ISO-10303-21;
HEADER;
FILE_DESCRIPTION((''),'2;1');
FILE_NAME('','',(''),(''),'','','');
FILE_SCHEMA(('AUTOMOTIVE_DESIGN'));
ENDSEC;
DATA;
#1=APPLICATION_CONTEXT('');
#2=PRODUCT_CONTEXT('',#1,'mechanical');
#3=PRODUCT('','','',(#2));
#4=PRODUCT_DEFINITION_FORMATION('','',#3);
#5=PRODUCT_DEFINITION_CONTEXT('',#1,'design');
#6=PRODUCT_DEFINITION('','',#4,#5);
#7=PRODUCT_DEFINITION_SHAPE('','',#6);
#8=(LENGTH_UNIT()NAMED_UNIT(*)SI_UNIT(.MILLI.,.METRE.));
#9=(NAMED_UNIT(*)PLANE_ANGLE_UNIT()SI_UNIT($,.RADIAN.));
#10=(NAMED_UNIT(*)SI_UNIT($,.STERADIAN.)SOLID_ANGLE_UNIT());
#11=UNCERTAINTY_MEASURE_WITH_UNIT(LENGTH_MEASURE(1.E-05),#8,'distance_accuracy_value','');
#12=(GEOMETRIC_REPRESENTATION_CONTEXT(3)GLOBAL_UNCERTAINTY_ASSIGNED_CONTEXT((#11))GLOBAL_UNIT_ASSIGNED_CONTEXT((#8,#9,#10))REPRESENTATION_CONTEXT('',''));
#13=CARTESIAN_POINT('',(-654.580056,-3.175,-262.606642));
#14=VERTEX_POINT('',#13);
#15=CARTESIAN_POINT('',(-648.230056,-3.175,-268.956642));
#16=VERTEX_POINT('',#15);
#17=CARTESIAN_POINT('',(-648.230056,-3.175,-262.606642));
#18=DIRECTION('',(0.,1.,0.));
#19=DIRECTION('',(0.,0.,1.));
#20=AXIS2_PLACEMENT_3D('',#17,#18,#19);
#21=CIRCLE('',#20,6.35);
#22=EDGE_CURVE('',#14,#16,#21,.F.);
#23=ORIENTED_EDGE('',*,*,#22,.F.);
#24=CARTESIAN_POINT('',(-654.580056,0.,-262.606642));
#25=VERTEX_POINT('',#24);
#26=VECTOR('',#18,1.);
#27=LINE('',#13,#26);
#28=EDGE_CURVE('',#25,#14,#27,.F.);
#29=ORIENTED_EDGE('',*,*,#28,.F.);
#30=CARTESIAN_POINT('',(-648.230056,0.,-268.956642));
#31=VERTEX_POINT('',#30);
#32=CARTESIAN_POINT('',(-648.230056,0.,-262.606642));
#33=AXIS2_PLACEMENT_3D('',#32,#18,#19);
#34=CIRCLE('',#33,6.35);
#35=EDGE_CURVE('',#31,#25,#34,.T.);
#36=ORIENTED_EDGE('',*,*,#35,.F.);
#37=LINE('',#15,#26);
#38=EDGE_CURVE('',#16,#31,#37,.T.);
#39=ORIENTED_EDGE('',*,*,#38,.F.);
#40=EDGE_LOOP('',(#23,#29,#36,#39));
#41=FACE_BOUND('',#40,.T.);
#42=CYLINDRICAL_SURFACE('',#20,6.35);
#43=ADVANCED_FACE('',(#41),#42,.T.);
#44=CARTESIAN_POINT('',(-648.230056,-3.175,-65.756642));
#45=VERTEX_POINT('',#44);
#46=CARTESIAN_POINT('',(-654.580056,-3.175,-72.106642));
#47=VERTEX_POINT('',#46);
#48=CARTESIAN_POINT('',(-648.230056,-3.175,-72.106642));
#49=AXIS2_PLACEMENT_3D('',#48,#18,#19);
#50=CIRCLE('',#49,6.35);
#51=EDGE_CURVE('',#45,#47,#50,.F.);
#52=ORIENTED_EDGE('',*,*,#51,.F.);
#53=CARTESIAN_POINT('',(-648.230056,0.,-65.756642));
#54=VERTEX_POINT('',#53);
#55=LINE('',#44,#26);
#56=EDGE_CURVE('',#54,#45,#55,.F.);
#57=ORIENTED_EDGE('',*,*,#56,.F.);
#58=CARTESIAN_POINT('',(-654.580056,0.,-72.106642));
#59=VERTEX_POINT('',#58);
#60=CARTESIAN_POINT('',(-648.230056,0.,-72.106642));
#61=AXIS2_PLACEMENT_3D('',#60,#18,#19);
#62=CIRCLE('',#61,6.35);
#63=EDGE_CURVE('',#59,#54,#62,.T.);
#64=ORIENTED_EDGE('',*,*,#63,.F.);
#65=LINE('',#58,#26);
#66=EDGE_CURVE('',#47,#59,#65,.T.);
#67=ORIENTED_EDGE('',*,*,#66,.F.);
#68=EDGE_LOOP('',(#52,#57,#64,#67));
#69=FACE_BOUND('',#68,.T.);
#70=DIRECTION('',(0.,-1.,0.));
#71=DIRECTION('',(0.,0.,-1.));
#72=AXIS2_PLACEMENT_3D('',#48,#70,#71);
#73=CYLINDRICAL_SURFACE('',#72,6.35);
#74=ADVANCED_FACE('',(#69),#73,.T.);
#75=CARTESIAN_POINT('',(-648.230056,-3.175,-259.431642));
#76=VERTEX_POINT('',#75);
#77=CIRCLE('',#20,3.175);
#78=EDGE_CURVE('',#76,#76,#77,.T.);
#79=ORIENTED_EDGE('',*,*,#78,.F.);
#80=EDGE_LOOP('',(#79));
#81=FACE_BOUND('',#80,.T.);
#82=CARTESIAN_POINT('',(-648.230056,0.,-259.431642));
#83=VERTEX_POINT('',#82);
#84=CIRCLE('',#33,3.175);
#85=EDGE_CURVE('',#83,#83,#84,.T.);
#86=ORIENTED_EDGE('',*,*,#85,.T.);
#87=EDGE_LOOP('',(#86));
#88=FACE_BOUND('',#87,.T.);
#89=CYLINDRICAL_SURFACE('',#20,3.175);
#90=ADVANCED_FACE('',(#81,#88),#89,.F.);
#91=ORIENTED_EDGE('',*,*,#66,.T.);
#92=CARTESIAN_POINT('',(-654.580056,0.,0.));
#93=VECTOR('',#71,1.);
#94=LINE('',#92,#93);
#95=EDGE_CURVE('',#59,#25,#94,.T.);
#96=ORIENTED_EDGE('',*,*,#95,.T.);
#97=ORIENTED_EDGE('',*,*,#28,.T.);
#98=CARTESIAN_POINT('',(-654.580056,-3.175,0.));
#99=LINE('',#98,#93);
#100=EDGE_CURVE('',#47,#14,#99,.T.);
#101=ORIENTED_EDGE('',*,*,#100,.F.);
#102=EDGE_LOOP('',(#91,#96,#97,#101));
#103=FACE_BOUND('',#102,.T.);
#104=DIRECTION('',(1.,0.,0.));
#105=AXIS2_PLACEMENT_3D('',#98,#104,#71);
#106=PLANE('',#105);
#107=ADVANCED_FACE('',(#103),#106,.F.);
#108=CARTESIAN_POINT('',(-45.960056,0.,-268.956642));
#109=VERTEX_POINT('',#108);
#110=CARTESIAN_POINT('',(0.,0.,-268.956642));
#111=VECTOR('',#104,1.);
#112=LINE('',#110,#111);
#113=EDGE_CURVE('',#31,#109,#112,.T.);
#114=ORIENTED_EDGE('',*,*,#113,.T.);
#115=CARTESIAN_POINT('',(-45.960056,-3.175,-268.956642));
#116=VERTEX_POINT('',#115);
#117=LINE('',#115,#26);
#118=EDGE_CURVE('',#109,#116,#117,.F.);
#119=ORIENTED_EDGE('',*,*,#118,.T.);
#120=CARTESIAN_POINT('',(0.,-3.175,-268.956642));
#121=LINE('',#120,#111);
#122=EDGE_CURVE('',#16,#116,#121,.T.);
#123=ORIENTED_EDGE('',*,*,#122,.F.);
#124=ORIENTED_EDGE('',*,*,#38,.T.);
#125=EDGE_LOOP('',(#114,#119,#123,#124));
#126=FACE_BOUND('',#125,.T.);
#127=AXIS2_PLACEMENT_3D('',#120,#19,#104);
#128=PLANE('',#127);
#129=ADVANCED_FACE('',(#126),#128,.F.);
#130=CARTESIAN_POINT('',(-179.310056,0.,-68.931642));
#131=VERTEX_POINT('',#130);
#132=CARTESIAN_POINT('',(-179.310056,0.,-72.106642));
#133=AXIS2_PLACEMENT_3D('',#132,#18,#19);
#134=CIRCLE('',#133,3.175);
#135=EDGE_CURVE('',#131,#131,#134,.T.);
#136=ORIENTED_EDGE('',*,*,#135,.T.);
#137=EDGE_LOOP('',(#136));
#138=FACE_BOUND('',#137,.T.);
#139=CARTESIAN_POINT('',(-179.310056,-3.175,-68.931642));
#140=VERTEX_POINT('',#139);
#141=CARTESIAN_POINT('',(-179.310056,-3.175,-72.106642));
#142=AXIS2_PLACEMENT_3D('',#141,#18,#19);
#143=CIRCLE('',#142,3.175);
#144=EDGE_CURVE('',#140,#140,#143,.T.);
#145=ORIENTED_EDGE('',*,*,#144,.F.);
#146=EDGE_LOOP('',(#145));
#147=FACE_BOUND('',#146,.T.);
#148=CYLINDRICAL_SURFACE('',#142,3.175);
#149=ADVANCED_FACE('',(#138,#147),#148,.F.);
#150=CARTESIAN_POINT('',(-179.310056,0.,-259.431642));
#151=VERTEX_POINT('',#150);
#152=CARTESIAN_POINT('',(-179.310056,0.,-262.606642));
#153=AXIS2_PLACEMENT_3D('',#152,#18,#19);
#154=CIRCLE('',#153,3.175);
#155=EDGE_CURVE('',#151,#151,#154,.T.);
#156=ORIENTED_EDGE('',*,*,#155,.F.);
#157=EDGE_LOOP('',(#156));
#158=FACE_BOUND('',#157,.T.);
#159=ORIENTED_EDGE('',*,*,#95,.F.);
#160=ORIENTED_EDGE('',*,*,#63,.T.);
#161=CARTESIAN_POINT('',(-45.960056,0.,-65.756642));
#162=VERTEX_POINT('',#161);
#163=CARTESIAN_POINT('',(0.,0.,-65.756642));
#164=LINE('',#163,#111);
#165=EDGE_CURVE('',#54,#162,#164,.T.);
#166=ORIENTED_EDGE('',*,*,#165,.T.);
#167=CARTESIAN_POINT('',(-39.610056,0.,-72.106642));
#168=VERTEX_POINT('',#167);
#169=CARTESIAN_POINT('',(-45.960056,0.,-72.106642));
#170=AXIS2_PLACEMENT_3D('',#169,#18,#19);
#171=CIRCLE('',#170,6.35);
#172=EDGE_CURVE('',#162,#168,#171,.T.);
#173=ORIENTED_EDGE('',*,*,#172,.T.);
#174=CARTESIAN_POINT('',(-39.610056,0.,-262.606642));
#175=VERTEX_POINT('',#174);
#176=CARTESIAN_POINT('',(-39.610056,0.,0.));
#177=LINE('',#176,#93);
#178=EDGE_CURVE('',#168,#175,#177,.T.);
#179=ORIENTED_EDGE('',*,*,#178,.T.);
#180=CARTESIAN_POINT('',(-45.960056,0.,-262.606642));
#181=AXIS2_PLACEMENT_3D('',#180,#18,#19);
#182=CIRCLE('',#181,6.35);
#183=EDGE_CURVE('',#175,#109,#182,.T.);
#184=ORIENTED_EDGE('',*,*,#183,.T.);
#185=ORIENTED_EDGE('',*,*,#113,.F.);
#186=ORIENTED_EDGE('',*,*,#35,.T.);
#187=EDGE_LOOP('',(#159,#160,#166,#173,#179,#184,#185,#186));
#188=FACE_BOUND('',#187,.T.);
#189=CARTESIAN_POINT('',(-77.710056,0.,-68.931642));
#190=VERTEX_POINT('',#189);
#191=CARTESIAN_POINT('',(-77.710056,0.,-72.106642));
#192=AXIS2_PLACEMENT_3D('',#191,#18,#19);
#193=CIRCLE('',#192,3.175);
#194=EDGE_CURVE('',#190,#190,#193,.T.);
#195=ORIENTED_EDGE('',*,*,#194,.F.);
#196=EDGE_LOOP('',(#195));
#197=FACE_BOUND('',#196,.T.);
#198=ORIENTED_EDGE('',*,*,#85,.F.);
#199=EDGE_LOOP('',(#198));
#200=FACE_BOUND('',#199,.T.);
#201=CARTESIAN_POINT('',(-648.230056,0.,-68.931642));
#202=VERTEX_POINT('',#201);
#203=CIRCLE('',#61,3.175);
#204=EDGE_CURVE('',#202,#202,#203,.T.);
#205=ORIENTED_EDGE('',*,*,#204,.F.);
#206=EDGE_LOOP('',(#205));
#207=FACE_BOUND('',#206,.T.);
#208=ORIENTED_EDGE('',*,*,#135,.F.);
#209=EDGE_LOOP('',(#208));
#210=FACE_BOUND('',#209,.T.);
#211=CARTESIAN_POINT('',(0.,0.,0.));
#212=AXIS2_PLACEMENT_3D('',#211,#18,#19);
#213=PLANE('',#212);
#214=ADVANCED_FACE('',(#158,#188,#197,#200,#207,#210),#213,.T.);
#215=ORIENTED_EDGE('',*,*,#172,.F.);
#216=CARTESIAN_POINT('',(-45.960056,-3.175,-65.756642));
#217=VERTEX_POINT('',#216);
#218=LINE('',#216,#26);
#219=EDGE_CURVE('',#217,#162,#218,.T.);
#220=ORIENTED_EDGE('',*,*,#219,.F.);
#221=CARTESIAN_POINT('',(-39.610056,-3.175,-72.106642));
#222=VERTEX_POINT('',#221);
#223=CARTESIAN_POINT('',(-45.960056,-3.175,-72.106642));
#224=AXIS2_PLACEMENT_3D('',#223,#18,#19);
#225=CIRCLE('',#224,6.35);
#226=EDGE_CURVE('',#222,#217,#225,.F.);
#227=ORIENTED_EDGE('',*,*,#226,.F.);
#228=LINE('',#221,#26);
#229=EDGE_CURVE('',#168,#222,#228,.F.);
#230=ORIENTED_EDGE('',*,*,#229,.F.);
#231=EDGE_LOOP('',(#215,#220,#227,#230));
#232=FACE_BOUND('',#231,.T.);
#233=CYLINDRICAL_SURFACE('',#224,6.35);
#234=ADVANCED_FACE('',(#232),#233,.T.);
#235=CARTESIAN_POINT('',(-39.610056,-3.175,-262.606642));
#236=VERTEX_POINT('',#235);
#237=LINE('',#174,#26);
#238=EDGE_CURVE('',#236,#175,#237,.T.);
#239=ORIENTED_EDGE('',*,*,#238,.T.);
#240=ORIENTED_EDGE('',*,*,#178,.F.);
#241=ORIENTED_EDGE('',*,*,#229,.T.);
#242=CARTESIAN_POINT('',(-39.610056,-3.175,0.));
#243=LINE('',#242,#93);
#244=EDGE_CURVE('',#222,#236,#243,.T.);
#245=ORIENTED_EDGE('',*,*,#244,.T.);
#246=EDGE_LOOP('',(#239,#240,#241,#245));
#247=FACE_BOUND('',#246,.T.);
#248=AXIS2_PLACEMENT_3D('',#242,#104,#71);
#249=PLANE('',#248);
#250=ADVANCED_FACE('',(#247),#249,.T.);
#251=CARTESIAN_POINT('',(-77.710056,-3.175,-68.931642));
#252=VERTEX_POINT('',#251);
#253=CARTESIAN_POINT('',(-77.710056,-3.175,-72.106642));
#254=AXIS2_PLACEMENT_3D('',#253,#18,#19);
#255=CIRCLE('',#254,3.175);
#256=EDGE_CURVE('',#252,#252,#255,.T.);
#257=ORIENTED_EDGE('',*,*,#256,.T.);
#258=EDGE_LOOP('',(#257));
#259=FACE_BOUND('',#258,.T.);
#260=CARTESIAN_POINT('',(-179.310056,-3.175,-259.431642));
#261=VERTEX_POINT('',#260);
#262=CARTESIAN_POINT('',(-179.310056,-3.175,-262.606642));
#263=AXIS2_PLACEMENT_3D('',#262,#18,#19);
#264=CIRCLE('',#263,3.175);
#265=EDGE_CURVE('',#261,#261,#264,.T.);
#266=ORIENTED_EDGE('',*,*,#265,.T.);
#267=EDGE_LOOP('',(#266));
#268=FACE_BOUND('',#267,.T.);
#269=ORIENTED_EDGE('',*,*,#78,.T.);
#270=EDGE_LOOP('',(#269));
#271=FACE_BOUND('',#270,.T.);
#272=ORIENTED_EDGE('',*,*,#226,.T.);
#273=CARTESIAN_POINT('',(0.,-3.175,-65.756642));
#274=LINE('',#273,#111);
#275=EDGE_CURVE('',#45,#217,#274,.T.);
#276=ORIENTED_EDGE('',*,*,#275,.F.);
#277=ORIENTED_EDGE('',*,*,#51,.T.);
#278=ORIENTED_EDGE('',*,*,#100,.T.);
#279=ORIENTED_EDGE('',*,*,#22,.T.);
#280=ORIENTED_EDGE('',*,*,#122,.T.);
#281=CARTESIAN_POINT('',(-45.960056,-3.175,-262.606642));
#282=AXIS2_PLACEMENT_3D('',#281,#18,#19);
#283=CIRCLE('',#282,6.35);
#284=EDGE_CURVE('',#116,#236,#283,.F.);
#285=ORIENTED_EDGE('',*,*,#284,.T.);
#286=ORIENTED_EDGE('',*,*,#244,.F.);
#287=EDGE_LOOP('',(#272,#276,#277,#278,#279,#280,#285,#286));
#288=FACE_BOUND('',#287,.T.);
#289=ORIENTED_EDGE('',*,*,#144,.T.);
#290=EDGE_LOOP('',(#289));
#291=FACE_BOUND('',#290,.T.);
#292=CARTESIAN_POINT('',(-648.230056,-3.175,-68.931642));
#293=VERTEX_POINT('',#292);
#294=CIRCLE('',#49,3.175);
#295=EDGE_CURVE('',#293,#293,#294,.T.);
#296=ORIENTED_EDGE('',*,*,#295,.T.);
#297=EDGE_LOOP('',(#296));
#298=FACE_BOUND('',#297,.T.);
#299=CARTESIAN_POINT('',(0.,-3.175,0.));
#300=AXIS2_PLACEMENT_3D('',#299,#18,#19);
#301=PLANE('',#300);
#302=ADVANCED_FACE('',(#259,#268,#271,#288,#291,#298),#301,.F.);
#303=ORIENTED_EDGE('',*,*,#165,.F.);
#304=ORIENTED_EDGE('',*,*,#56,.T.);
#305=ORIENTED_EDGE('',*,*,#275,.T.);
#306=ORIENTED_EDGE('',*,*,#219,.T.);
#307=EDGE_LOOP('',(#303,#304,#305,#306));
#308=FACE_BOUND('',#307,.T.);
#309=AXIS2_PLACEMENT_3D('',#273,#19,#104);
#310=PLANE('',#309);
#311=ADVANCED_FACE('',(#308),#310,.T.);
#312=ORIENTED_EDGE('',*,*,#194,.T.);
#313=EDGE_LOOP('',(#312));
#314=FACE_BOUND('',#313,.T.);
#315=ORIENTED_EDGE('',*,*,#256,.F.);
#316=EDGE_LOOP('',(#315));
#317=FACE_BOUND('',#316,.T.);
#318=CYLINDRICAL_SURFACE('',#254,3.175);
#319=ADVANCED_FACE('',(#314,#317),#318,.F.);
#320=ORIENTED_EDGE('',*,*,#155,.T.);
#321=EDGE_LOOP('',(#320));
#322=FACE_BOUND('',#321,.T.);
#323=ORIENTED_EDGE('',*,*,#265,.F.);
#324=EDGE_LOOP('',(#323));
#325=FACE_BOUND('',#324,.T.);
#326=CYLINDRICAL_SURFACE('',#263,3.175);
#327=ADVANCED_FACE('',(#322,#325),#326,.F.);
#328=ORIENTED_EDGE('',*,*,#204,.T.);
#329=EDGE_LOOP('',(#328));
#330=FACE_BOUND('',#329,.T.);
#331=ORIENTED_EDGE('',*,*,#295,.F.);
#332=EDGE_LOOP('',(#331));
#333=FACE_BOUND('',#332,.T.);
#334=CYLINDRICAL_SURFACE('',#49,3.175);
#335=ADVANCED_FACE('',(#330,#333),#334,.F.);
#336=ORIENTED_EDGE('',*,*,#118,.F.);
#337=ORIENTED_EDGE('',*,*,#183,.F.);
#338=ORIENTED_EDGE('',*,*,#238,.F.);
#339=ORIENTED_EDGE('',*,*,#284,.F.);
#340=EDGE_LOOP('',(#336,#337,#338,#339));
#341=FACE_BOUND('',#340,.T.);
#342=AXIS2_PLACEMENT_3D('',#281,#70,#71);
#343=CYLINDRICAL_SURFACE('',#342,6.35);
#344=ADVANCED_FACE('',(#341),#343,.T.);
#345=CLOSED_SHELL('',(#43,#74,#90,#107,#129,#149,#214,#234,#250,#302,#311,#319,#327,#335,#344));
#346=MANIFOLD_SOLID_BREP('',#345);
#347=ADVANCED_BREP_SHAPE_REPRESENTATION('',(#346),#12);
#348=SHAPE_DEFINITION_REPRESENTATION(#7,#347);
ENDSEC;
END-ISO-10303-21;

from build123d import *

# Parameters (mm, degrees)
SKETCH1_W           = 614.97
SKETCH1_H           = 203.2
SKETCH1_R           = 3.175
BOSS_EXTRUDE1_DEPTH = 3.175
FILLET1_R           = 6.35


with BuildPart() as part:
    # Sketch1 → Boss-Extrude1 (new body)
    with BuildSketch(Plane(origin=(0, 0, 0), x_dir=(1, 0, 0), z_dir=(0, 1, 0))):
        with Locations((-347.095055786, 167.356642248)):
            Rectangle(SKETCH1_W, SKETCH1_H)
        with Locations(Location((-77.710055786, 72.106642248, 0), (0, 0, 270))):
            Circle(SKETCH1_R, mode=Mode.SUBTRACT)
        with Locations(Location((-179.310055786, 262.606642248, 0), (0, 0, 270))):
            Circle(SKETCH1_R, mode=Mode.SUBTRACT)
        with Locations(Location((-179.310055786, 72.106642248, 0), (0, 0, 270))):
            Circle(SKETCH1_R, mode=Mode.SUBTRACT)
        with Locations((-45.960055786, 72.106642248)):
            Circle(SKETCH1_R, mode=Mode.SUBTRACT)
        with Locations((-45.960055786, 262.606642248)):
            Circle(SKETCH1_R, mode=Mode.SUBTRACT)
        with Locations(Location((-648.230055786, 72.106642248, 0), (0, 0, 270))):
            Circle(SKETCH1_R, mode=Mode.SUBTRACT)
        with Locations(Location((-648.230055786, 262.606642248, 0), (0, 0, 270))):
            Circle(SKETCH1_R, mode=Mode.SUBTRACT)
        with Locations((-45.960055786, 72.106642248)):
            Circle(SKETCH1_R)
        with Locations((-45.960055786, 262.606642248)):
            Circle(SKETCH1_R)
    extrude(amount=-BOSS_EXTRUDE1_DEPTH)

    # Fillet1
    fillet1_edges = [part.edges().sort_by_distance(p)[0] for p in [
        (-654.580055786, -1.5875, -65.756642248),
        (-654.580055786, -1.5875, -268.956642248),
        (-39.610055786, -1.5875, -268.956642248),
        (-39.610055786, -1.5875, -65.756642248),
    ]]
    fillet(fillet1_edges, radius=FILLET1_R)


solid = part.part
